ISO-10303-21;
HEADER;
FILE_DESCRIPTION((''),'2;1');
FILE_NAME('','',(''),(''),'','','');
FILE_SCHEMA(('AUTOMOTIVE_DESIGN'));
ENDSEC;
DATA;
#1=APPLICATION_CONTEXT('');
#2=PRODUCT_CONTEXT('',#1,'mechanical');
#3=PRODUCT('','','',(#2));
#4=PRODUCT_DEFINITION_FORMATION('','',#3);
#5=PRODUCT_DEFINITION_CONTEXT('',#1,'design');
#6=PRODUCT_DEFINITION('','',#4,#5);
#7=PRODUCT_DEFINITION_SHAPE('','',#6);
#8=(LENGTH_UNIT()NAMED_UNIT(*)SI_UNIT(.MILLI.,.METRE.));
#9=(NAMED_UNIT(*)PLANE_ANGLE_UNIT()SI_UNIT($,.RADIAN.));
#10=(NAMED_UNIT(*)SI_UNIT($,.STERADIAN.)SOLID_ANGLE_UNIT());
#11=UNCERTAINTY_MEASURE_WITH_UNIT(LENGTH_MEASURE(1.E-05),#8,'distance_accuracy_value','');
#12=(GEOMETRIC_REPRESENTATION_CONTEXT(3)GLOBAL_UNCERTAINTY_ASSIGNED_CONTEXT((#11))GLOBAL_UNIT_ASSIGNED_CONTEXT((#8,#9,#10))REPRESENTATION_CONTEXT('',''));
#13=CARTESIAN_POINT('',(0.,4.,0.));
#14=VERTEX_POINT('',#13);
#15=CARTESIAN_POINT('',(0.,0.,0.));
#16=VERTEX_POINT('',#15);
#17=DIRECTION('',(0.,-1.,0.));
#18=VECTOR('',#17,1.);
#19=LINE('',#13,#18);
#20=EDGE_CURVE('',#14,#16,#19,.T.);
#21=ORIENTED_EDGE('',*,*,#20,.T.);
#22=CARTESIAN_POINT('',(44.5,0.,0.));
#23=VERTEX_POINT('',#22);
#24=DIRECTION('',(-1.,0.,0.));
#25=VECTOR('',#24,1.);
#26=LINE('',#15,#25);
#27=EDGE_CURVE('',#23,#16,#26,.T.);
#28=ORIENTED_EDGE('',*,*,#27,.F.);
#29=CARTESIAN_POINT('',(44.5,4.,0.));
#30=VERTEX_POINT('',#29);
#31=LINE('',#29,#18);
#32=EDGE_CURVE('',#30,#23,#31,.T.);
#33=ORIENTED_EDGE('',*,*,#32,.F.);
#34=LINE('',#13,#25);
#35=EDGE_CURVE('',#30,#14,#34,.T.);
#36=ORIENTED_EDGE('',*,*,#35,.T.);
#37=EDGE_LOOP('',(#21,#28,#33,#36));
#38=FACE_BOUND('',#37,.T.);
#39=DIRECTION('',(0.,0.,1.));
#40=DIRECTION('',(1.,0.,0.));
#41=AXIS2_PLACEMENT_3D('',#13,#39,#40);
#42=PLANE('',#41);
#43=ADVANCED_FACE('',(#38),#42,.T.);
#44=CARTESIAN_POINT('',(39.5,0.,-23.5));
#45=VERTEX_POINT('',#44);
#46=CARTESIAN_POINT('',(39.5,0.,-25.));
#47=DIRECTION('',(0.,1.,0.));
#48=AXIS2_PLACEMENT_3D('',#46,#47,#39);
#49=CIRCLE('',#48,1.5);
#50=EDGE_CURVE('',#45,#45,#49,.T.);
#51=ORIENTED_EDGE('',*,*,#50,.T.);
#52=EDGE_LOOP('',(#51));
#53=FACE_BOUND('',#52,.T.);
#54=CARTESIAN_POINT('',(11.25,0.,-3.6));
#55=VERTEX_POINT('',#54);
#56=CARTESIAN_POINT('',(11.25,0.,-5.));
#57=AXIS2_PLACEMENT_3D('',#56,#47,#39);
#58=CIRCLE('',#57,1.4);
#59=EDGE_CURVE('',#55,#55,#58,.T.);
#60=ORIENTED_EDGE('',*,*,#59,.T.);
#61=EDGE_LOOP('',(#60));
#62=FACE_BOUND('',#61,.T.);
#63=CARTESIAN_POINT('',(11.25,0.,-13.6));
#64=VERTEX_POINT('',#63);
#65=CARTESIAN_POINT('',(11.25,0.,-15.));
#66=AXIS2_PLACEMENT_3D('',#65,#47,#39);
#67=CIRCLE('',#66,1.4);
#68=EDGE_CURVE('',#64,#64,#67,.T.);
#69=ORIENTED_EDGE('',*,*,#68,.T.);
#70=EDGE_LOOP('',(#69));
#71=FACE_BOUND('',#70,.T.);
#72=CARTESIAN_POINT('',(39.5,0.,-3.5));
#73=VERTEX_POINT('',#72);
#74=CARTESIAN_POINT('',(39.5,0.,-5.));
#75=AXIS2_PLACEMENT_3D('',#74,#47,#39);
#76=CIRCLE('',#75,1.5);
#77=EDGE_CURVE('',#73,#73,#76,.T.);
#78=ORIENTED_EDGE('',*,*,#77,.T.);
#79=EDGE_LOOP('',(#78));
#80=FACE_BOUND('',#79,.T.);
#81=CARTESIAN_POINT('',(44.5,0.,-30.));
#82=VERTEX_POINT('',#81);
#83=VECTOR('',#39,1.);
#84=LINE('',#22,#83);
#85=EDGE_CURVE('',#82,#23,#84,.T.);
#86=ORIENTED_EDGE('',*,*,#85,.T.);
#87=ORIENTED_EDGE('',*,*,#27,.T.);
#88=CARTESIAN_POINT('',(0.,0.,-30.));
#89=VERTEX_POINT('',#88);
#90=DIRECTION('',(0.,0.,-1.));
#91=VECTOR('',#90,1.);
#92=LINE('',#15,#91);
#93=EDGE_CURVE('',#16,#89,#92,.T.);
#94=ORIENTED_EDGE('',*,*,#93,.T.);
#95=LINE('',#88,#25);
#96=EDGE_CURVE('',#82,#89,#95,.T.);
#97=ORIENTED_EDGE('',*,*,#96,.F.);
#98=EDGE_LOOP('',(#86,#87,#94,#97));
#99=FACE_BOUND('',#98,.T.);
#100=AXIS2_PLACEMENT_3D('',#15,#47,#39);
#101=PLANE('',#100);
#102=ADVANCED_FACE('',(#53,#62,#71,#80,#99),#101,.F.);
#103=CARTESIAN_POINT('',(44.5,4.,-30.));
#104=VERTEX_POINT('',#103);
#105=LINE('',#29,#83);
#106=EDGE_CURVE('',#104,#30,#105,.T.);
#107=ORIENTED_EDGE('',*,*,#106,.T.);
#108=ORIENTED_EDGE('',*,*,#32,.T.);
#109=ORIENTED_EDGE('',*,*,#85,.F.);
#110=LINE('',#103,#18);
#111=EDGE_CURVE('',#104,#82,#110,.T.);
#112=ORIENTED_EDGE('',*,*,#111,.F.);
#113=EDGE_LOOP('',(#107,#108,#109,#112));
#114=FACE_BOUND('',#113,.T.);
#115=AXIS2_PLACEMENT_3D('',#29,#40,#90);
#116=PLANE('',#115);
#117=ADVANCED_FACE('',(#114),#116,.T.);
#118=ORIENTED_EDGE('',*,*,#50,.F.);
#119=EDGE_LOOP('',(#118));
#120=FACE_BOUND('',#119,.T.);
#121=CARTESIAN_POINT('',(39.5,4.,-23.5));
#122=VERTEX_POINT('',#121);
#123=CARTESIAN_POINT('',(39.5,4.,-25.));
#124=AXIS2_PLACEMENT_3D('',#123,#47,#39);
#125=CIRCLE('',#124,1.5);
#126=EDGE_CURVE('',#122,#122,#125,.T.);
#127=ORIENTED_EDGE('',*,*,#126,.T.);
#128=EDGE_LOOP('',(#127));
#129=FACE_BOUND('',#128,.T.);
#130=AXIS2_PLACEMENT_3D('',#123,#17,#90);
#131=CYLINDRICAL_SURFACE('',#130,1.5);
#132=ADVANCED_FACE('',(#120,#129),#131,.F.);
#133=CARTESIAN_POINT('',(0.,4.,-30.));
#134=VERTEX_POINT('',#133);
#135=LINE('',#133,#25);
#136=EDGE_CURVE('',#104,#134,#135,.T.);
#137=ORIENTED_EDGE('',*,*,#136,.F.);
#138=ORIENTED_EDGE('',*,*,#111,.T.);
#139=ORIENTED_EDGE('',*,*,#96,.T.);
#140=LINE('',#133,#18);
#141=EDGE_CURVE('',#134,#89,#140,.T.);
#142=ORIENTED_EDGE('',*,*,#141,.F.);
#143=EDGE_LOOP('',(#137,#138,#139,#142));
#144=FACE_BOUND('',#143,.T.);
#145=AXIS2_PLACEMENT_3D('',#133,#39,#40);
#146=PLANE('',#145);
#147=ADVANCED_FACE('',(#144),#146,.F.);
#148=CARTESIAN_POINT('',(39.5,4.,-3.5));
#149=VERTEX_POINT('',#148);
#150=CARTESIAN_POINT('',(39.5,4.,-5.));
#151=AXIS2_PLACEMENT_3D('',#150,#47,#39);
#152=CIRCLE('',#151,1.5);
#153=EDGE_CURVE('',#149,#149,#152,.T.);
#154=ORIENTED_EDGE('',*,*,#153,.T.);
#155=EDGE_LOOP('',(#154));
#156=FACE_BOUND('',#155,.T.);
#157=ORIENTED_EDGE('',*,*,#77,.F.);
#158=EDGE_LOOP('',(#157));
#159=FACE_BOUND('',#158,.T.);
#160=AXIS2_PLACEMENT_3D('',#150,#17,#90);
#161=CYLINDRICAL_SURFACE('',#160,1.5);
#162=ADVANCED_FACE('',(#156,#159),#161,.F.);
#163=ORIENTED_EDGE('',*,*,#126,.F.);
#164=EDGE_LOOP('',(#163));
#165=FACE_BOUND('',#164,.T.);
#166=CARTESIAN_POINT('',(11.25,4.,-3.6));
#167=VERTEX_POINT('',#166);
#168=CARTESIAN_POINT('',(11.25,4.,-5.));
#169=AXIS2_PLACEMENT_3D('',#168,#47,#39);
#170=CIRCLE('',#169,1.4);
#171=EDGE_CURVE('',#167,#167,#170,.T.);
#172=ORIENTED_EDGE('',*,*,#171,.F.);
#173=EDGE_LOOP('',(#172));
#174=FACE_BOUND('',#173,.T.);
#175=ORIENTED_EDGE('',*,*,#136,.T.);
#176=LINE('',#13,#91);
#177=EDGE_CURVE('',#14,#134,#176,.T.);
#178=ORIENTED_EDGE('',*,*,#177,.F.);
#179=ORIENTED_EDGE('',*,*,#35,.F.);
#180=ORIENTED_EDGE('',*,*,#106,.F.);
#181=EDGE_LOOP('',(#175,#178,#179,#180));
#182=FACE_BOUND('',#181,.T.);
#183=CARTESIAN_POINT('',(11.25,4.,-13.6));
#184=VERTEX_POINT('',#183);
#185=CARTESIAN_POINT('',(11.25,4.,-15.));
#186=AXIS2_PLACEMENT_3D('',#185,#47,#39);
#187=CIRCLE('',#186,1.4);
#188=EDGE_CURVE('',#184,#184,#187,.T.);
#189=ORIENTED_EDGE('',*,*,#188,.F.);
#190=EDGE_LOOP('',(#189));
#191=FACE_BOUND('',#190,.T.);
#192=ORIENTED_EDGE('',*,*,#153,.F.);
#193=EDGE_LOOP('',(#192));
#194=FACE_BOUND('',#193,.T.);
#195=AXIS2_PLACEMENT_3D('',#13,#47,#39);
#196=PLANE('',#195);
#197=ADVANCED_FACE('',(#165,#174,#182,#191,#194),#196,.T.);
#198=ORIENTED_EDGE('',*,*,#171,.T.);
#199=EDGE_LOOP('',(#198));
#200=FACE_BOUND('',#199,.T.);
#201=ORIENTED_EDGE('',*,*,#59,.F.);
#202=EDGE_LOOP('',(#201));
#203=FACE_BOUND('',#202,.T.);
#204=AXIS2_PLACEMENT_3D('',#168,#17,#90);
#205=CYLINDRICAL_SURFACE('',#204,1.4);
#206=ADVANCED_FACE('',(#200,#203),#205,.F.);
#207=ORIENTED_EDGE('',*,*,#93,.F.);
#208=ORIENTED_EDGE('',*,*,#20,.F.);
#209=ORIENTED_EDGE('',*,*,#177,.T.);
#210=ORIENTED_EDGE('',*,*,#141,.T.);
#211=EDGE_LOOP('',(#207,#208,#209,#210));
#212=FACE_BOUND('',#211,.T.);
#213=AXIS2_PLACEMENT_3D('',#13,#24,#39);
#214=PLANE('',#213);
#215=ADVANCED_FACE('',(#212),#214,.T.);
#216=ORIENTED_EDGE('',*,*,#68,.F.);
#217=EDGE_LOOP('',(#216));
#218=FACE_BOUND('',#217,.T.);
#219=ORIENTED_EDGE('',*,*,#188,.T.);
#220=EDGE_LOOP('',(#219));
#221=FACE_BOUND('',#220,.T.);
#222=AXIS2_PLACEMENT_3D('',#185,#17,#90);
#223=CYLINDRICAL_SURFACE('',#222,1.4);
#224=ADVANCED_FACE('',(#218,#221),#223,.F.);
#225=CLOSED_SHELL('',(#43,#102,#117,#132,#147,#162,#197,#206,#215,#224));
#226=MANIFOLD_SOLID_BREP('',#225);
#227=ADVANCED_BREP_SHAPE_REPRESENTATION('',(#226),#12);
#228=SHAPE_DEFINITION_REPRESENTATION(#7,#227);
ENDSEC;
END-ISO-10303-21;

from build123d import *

# Parameters (mm, degrees)
SKETCH1_W           = 22.5
SKETCH1_H           = 30
SKETCH1_R           = 1.4
SKETCH1_W_2         = 22
SKETCH1_R_2         = 1.5
BOSS_EXTRUDE1_DEPTH = 4


with BuildPart() as part:
    # Sketch1 → Boss-Extrude1 (new body)
    with BuildSketch(Plane(origin=(0, 0, 0), x_dir=(1, 0, 0), z_dir=(0, 1, 0))):
        with Locations((11.25, 15)):
            Rectangle(SKETCH1_W, SKETCH1_H)
        with Locations((11.25, 5)):
            Circle(SKETCH1_R, mode=Mode.SUBTRACT)
        with Locations((11.25, 15)):
            Circle(SKETCH1_R, mode=Mode.SUBTRACT)
        with Locations((33.5, 15)):
            Rectangle(SKETCH1_W_2, SKETCH1_H)
        with Locations((39.5, 5)):
            Circle(SKETCH1_R_2, mode=Mode.SUBTRACT)
        with Locations((39.5, 25)):
            Circle(SKETCH1_R_2, mode=Mode.SUBTRACT)
    extrude(amount=BOSS_EXTRUDE1_DEPTH)


solid = part.part
